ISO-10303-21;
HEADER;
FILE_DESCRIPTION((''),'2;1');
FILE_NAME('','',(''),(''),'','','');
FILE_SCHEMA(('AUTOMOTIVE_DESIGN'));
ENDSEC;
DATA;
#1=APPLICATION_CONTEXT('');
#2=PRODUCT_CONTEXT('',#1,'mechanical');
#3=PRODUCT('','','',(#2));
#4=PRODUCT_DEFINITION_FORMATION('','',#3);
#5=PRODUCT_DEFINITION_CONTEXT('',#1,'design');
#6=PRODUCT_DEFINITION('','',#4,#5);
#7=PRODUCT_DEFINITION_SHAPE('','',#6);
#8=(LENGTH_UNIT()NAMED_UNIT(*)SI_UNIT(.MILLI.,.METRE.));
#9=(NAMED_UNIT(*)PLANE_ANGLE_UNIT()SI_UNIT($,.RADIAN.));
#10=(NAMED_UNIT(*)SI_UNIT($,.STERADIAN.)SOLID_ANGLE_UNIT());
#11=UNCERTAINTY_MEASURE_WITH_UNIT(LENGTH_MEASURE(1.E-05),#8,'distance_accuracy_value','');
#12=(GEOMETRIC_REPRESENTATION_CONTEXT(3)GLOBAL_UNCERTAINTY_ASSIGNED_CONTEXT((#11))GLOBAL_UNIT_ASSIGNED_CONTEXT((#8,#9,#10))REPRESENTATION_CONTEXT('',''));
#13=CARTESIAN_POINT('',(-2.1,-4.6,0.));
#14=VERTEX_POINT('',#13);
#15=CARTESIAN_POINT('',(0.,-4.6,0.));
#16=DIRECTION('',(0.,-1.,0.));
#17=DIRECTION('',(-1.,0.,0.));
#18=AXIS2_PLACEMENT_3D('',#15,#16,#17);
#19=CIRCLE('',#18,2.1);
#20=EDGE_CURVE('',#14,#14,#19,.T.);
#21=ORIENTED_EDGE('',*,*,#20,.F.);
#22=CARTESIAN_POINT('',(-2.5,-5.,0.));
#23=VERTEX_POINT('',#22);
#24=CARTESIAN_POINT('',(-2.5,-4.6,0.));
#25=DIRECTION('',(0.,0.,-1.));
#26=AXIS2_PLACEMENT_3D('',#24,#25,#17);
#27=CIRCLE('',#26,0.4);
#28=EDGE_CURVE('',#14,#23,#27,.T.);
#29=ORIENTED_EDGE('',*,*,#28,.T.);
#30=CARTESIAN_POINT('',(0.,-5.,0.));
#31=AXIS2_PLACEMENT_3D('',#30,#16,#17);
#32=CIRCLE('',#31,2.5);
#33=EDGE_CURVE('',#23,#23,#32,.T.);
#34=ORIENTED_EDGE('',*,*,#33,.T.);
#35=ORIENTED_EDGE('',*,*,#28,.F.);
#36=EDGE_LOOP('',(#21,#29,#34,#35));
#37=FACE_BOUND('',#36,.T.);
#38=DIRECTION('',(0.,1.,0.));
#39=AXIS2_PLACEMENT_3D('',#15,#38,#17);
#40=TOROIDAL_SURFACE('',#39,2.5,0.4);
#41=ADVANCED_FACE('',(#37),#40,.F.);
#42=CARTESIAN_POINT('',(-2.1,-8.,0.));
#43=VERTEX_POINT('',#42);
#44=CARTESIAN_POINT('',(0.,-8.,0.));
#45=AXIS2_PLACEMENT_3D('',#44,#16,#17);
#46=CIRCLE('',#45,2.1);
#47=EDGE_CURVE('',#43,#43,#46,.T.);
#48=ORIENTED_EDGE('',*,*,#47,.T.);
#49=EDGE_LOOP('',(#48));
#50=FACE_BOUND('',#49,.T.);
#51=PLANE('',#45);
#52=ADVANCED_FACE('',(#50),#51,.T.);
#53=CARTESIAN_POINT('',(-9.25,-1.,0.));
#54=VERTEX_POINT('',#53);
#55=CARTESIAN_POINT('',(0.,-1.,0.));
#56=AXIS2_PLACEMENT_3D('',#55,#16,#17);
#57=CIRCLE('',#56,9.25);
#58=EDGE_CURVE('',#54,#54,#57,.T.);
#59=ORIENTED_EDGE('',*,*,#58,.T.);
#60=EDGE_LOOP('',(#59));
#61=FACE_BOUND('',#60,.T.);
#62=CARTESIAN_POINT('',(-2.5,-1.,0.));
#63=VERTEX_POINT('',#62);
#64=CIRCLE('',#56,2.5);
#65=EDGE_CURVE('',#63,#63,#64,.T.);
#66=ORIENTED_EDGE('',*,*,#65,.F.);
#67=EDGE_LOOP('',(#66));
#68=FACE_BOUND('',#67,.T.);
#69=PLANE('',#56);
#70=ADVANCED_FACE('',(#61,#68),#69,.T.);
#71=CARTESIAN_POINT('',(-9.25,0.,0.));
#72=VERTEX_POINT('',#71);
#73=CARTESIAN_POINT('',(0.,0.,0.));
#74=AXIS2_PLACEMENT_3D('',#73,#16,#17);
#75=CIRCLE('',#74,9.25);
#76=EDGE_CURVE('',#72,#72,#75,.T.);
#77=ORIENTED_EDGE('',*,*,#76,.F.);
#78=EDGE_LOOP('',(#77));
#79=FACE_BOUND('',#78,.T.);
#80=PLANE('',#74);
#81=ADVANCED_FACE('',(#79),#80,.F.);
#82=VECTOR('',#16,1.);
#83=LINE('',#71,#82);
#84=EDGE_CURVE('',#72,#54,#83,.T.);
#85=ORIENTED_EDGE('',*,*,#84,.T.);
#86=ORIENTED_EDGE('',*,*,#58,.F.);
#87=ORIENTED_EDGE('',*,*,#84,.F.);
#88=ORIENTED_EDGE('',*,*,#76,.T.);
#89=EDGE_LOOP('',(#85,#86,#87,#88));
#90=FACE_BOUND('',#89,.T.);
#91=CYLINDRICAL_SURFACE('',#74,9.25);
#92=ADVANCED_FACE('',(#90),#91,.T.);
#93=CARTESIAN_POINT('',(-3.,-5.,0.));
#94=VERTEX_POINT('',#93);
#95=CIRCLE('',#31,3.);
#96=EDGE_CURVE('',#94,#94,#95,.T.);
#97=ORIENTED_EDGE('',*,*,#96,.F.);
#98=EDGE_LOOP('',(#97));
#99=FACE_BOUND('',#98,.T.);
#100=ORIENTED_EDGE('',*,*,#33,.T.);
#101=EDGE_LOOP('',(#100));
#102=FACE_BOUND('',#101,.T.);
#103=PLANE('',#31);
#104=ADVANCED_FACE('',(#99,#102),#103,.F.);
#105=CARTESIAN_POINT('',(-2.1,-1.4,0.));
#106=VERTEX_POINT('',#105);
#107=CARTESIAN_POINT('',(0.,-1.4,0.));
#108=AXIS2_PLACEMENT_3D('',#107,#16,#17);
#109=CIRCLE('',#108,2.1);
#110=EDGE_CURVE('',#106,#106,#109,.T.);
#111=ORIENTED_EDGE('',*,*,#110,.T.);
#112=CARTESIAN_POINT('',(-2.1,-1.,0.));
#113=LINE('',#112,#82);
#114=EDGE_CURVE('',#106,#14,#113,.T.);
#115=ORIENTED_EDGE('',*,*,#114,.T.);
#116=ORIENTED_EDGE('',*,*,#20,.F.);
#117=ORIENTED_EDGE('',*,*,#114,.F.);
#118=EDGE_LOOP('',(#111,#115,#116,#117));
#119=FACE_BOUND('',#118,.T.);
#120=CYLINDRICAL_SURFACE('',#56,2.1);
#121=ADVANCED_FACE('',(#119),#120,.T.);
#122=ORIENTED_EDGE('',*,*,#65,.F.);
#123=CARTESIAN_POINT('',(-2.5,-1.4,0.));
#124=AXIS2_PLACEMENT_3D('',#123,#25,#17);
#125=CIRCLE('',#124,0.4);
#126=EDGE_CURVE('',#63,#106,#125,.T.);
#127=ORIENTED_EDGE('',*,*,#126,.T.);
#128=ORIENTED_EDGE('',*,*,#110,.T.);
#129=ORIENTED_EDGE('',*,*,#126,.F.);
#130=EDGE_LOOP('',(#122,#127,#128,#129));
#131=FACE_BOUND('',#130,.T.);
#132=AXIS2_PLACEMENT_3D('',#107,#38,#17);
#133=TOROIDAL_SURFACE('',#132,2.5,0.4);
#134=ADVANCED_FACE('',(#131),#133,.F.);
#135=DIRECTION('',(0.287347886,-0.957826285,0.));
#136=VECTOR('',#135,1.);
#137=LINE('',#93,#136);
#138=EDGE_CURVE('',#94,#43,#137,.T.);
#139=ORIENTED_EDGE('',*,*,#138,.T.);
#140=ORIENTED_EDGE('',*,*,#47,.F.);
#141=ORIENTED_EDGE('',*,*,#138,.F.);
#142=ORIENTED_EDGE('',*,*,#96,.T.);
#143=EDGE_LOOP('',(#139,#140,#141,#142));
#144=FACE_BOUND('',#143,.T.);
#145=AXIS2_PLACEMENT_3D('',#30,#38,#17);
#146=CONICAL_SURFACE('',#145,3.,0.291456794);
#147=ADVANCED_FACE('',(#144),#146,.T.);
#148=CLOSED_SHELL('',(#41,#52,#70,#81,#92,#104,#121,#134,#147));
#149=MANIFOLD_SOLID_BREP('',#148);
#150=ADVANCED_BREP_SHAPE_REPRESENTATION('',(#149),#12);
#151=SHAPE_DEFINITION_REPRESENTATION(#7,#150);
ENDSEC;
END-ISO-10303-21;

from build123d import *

# Parameters (mm, degrees)
FILLET1_R = 0.4


with BuildPart() as part:
    # Sketch1 → Revolve1 (revolve)
    with BuildSketch(Plane.XY):
        Polygon((0, 0), (-9.25, 0), (-9.25, -1), (-2.1, -1), (-2.1, -5), (-3, -5), (-2.1, -8), (0, -8), align=None)
    revolve(axis=Axis((0, 299.544827586, 0), (0, -1, 0)))

    # Fillet1
    fillet1_edges = [part.edges().sort_by_distance(p)[0] for p in [
        (2.1, -5, 0),
        (2.1, -1, 0),
    ]]
    fillet(fillet1_edges, radius=FILLET1_R)


solid = part.part
